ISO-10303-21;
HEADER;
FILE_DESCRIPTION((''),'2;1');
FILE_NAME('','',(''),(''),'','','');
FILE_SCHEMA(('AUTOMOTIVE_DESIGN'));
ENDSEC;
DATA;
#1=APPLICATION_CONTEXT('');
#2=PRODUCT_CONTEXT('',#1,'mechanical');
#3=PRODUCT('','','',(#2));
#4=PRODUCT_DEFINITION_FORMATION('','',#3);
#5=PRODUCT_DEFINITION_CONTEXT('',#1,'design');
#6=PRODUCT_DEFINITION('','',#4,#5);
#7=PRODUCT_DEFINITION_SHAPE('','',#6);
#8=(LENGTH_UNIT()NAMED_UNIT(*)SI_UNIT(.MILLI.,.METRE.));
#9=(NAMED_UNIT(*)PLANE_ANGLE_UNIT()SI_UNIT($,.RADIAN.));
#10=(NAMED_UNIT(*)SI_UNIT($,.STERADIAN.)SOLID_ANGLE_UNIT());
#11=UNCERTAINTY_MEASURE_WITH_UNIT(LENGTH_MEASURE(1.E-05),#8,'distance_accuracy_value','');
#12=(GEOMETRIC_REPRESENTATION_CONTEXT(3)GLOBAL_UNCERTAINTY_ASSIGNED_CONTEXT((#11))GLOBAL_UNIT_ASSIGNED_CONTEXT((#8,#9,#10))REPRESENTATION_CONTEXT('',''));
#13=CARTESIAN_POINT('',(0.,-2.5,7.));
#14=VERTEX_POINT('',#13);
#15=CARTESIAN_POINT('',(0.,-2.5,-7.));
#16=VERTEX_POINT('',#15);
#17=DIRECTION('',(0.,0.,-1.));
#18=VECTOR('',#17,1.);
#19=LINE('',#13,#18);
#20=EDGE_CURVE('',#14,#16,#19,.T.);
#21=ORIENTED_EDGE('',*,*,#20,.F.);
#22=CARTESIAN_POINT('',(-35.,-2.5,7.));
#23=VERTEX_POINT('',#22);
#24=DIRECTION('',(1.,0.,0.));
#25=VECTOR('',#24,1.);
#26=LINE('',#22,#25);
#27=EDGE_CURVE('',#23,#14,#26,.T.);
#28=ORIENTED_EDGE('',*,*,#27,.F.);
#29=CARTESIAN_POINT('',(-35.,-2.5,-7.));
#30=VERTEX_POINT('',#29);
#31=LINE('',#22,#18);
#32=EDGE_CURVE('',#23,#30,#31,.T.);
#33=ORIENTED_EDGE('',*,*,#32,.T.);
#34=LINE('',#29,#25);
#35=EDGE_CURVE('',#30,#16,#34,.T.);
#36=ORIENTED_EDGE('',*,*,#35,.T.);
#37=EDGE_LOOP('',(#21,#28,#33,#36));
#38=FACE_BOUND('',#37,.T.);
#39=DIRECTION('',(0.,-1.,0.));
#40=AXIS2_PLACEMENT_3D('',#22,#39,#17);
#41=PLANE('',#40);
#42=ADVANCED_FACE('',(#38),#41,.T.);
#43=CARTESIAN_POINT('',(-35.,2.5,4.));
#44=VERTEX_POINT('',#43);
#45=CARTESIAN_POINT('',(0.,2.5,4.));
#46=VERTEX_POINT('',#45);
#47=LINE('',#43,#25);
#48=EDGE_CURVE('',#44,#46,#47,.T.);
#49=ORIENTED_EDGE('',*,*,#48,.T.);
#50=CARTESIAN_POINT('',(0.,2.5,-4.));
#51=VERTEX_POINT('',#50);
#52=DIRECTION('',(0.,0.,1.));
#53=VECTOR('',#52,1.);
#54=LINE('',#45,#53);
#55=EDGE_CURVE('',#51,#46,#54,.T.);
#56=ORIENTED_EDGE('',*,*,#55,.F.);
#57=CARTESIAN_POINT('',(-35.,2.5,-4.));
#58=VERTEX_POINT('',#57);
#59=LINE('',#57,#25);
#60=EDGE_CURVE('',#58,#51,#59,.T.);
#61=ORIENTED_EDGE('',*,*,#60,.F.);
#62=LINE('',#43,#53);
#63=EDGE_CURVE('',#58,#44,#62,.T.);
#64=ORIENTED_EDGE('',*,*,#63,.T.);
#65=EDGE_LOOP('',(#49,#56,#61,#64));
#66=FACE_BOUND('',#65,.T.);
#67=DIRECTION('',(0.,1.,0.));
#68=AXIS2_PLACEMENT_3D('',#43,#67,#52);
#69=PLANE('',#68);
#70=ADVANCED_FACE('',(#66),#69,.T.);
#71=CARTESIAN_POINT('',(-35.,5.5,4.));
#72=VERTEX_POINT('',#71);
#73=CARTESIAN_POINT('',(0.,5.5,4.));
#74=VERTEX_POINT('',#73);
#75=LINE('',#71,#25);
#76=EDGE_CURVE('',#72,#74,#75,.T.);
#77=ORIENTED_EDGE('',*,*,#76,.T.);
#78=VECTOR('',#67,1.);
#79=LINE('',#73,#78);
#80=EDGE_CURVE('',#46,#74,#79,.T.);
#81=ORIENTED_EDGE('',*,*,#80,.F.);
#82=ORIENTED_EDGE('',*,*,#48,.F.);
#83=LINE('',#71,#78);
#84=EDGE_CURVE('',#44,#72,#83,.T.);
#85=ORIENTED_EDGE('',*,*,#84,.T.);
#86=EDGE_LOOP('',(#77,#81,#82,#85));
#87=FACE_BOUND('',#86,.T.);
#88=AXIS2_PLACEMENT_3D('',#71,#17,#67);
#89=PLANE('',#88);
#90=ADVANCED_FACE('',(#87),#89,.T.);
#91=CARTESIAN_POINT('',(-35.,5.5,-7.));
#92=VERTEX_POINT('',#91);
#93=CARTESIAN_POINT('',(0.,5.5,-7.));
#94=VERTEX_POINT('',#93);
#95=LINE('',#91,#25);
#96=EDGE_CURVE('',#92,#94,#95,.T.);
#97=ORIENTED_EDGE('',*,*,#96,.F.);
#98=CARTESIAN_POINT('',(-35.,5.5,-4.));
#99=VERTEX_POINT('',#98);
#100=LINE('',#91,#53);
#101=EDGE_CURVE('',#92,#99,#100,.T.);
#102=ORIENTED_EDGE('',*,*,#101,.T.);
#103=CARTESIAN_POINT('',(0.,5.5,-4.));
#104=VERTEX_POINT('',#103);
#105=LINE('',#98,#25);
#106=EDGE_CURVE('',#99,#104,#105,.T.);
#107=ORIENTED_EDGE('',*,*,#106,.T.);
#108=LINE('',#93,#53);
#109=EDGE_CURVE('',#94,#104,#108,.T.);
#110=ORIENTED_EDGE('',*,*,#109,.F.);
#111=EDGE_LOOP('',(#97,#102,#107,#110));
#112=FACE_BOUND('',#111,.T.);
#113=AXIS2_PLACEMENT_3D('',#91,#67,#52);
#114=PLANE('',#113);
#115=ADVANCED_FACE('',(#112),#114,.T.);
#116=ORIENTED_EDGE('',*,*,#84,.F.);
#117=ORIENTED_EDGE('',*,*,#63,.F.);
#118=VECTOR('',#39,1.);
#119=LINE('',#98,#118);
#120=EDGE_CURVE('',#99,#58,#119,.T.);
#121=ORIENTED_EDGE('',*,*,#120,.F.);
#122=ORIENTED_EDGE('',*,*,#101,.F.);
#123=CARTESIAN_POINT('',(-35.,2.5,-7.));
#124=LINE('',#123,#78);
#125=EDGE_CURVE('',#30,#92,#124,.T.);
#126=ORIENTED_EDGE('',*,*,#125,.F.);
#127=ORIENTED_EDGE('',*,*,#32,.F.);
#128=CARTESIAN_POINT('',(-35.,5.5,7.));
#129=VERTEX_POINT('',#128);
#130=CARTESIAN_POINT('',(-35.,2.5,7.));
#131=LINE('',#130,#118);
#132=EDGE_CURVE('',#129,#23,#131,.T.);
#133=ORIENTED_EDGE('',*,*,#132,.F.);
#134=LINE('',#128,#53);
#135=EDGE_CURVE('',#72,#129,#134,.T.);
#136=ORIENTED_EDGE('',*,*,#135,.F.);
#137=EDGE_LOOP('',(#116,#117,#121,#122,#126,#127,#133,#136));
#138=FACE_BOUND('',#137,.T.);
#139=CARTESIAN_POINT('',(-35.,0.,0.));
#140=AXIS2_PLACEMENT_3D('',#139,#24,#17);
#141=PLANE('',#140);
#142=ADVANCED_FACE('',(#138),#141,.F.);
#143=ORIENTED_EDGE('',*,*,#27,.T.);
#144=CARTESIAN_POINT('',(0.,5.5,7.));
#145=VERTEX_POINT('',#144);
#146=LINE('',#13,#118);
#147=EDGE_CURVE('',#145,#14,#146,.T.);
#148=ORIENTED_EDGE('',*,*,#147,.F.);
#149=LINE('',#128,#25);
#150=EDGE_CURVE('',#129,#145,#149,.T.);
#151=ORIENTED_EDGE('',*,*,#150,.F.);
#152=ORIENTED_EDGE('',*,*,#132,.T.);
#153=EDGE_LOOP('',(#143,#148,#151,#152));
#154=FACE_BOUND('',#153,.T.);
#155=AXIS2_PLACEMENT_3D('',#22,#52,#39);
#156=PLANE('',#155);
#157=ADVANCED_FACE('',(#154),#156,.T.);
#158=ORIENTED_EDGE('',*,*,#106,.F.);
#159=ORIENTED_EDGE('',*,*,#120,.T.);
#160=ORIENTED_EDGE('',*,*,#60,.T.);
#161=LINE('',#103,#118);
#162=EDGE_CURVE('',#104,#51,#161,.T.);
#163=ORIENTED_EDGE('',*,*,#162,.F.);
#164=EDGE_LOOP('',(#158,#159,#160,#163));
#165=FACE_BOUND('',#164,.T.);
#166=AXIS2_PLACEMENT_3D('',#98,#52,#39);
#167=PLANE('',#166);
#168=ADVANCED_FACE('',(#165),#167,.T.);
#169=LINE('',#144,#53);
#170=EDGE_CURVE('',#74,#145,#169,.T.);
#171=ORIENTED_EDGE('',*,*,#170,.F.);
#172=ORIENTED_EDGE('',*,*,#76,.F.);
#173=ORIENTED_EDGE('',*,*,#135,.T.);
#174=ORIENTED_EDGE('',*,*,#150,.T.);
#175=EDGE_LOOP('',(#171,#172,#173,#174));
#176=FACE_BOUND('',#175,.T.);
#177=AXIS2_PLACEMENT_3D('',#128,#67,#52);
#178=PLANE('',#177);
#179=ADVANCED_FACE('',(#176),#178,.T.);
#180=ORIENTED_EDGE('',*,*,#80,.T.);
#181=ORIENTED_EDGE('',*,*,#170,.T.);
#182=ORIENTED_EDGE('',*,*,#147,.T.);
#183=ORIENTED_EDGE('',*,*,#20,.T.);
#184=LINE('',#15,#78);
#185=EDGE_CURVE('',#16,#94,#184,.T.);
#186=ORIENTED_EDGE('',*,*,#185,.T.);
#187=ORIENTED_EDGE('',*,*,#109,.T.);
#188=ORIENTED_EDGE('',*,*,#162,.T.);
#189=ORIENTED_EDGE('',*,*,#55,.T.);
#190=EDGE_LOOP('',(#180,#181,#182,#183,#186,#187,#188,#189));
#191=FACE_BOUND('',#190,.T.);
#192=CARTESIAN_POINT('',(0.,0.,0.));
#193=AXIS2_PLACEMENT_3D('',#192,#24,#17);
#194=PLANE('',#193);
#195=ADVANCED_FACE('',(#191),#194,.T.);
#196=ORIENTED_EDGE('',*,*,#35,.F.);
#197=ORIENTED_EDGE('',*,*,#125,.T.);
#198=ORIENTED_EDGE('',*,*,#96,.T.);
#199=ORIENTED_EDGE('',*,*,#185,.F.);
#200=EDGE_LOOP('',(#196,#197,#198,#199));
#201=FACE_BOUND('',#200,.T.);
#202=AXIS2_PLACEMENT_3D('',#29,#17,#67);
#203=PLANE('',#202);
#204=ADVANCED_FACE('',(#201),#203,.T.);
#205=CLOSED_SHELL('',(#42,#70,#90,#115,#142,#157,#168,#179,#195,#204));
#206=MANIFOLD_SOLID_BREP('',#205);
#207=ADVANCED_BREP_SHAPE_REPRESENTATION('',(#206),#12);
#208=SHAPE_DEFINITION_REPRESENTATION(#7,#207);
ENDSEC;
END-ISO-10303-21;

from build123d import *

# Parameters (mm, degrees)
BOSS_EXTRUDE1_DEPTH = 35


with BuildPart() as part:
    # Sketch1 → Boss-Extrude1 (new body)
    with BuildSketch(Plane(origin=(0, 0, 0), x_dir=(0, 0, -1), z_dir=(1, 0, 0))):
        Polygon((-7, 2.5), (-7, 5.5), (-4, 5.5), (-4, 2.5), (4, 2.5), (4, 5.5), (7, 5.5), (7, 2.5), (7, -2.5), (-7, -2.5), align=None)
    extrude(amount=-BOSS_EXTRUDE1_DEPTH)


solid = part.part
